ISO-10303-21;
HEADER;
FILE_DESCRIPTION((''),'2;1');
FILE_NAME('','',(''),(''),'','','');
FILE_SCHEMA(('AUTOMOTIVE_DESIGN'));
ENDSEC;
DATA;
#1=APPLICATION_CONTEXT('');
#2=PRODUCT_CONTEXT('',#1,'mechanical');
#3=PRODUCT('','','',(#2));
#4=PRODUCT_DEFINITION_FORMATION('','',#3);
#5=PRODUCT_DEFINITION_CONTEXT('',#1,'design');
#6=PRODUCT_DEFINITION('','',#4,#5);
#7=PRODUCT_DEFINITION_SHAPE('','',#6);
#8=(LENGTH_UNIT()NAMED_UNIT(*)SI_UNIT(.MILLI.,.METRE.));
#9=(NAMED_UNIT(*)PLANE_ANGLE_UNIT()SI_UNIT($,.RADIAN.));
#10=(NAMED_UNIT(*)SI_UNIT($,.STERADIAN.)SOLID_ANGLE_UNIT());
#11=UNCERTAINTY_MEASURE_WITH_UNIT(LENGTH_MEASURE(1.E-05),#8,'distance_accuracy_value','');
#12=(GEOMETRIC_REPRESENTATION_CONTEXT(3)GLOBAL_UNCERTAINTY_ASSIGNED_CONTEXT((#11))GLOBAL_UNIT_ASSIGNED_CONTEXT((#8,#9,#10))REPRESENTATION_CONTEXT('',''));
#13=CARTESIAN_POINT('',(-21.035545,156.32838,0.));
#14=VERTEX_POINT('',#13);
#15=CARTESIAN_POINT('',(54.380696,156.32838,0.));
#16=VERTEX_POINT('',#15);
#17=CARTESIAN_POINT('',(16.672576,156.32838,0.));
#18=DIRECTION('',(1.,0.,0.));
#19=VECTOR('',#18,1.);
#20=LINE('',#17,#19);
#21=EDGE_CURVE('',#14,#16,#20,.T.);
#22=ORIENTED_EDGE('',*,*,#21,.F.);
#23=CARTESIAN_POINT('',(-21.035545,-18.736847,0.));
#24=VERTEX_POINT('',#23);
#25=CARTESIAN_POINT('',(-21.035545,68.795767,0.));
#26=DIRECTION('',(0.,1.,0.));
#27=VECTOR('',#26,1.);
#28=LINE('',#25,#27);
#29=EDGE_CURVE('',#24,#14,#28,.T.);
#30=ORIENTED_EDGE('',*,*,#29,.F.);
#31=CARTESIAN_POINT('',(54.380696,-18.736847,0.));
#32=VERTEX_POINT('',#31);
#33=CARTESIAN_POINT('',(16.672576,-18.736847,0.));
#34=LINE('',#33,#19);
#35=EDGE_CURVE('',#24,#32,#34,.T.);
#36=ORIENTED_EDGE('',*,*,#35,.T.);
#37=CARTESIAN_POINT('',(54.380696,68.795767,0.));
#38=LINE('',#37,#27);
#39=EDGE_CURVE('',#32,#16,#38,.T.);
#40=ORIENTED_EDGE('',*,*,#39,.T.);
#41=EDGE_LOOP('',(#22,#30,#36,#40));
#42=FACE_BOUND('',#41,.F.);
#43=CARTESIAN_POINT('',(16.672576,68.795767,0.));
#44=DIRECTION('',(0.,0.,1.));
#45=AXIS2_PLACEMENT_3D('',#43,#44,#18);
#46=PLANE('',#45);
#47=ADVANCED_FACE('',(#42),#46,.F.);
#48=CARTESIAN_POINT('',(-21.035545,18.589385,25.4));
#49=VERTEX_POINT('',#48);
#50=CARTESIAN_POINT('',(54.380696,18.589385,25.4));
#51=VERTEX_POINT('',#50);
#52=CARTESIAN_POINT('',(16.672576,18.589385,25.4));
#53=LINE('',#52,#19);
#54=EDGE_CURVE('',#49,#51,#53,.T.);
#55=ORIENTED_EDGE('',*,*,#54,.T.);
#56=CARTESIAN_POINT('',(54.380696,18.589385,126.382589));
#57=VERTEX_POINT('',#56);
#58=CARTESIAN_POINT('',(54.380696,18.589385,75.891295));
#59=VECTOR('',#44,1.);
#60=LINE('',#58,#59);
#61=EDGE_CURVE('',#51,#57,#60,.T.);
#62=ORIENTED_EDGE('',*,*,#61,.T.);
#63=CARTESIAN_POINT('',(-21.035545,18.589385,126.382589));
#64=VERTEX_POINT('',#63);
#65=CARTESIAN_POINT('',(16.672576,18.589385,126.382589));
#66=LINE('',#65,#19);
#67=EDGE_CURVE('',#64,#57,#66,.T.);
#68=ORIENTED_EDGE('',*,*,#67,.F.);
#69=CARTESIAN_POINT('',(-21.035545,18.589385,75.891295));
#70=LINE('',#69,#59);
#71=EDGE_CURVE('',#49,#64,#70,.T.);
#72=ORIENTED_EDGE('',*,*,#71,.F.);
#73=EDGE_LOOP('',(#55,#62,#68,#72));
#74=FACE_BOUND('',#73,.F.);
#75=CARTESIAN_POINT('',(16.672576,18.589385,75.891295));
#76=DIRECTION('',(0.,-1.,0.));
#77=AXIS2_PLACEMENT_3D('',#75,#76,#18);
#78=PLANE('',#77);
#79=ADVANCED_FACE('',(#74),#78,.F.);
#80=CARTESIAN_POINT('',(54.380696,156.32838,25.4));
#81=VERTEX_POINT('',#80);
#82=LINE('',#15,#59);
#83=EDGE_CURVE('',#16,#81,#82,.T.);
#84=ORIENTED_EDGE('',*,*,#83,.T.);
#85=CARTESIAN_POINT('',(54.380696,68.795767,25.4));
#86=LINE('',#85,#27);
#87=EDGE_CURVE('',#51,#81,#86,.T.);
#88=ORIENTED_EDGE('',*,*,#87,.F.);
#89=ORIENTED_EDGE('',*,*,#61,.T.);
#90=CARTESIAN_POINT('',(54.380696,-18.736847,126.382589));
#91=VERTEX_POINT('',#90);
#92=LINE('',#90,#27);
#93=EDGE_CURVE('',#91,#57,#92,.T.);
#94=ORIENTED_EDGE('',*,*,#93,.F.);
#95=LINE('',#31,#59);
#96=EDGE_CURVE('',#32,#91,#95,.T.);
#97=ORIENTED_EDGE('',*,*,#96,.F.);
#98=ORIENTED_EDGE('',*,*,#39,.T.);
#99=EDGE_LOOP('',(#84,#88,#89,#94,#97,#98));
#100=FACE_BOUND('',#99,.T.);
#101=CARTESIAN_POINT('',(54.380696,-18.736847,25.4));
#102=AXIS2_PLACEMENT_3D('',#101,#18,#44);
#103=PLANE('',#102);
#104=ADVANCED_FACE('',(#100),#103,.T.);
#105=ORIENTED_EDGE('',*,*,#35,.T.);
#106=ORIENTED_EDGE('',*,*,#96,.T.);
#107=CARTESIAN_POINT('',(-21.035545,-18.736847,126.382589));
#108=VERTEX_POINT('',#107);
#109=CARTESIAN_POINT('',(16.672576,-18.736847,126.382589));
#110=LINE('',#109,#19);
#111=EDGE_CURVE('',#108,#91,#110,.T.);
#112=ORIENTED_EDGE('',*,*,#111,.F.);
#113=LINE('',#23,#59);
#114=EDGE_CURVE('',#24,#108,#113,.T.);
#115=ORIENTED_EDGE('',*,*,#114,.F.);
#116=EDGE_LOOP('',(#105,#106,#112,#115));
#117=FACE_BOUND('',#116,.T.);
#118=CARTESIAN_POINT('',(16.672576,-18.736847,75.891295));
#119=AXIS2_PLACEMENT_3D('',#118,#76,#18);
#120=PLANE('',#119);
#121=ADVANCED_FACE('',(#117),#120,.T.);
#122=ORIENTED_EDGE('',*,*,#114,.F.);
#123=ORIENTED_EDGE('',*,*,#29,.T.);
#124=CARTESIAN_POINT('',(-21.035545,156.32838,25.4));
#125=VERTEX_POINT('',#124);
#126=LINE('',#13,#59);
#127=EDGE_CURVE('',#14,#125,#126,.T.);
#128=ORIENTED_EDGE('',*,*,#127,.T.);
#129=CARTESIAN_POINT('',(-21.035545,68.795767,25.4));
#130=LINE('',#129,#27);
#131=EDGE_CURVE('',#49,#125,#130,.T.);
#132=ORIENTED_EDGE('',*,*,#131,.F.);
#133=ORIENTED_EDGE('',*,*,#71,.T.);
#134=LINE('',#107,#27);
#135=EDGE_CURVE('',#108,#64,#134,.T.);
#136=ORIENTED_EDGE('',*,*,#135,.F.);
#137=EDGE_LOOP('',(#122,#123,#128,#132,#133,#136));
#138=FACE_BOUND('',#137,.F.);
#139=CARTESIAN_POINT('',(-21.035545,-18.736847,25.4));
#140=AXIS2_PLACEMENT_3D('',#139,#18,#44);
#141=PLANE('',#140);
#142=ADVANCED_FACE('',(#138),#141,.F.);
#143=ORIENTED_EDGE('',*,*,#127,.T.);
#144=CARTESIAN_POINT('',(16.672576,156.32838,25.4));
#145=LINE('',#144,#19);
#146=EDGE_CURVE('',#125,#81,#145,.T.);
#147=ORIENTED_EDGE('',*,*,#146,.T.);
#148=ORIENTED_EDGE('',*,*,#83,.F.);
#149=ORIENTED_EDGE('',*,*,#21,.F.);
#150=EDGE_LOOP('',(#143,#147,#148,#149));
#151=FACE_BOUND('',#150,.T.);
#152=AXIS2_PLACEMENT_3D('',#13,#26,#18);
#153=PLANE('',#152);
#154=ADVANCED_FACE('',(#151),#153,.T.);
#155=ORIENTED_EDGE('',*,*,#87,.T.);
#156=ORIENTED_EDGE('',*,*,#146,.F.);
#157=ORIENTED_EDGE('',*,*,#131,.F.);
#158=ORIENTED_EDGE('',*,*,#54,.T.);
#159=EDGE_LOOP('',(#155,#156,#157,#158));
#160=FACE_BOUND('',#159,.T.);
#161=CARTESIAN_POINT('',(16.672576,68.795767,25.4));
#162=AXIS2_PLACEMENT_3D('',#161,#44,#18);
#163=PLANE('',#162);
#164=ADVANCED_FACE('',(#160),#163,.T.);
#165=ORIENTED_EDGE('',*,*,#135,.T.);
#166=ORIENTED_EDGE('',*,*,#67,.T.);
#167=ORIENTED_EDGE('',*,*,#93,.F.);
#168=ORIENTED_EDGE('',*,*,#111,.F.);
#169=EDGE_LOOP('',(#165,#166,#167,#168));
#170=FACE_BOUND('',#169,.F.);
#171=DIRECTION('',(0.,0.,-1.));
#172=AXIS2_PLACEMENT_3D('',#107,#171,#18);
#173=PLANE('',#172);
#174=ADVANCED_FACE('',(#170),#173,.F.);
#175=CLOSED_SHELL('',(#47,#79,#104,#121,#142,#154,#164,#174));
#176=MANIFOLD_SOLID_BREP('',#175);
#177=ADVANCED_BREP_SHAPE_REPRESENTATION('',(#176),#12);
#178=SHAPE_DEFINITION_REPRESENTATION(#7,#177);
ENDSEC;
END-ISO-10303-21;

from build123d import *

# Parameters (mm, degrees)
F0_W     = 75.4162408412
F0_H     = 175.0652268529
F1_DEPTH = 25.4
F2_W     = 75.4162408412
F2_H     = 100.9825893402
F3_DEPTH = 37.3262315989


with BuildPart() as f1:
    # F0 (on Top) → F1 (new body)
    with BuildSketch(Plane.XY):
        with Locations((16.6725758463, 68.7957666814)):
            Rectangle(F0_W, F0_H)
    extrude(amount=F1_DEPTH)

    # F2 (on face) → F3 (join)
    with BuildSketch(Plane.XZ.offset(18.736846745)):
        with Locations((16.6725758463, 75.8912946701)):
            Rectangle(F2_W, F2_H)
    extrude(amount=-F3_DEPTH)


solid = f1.part
